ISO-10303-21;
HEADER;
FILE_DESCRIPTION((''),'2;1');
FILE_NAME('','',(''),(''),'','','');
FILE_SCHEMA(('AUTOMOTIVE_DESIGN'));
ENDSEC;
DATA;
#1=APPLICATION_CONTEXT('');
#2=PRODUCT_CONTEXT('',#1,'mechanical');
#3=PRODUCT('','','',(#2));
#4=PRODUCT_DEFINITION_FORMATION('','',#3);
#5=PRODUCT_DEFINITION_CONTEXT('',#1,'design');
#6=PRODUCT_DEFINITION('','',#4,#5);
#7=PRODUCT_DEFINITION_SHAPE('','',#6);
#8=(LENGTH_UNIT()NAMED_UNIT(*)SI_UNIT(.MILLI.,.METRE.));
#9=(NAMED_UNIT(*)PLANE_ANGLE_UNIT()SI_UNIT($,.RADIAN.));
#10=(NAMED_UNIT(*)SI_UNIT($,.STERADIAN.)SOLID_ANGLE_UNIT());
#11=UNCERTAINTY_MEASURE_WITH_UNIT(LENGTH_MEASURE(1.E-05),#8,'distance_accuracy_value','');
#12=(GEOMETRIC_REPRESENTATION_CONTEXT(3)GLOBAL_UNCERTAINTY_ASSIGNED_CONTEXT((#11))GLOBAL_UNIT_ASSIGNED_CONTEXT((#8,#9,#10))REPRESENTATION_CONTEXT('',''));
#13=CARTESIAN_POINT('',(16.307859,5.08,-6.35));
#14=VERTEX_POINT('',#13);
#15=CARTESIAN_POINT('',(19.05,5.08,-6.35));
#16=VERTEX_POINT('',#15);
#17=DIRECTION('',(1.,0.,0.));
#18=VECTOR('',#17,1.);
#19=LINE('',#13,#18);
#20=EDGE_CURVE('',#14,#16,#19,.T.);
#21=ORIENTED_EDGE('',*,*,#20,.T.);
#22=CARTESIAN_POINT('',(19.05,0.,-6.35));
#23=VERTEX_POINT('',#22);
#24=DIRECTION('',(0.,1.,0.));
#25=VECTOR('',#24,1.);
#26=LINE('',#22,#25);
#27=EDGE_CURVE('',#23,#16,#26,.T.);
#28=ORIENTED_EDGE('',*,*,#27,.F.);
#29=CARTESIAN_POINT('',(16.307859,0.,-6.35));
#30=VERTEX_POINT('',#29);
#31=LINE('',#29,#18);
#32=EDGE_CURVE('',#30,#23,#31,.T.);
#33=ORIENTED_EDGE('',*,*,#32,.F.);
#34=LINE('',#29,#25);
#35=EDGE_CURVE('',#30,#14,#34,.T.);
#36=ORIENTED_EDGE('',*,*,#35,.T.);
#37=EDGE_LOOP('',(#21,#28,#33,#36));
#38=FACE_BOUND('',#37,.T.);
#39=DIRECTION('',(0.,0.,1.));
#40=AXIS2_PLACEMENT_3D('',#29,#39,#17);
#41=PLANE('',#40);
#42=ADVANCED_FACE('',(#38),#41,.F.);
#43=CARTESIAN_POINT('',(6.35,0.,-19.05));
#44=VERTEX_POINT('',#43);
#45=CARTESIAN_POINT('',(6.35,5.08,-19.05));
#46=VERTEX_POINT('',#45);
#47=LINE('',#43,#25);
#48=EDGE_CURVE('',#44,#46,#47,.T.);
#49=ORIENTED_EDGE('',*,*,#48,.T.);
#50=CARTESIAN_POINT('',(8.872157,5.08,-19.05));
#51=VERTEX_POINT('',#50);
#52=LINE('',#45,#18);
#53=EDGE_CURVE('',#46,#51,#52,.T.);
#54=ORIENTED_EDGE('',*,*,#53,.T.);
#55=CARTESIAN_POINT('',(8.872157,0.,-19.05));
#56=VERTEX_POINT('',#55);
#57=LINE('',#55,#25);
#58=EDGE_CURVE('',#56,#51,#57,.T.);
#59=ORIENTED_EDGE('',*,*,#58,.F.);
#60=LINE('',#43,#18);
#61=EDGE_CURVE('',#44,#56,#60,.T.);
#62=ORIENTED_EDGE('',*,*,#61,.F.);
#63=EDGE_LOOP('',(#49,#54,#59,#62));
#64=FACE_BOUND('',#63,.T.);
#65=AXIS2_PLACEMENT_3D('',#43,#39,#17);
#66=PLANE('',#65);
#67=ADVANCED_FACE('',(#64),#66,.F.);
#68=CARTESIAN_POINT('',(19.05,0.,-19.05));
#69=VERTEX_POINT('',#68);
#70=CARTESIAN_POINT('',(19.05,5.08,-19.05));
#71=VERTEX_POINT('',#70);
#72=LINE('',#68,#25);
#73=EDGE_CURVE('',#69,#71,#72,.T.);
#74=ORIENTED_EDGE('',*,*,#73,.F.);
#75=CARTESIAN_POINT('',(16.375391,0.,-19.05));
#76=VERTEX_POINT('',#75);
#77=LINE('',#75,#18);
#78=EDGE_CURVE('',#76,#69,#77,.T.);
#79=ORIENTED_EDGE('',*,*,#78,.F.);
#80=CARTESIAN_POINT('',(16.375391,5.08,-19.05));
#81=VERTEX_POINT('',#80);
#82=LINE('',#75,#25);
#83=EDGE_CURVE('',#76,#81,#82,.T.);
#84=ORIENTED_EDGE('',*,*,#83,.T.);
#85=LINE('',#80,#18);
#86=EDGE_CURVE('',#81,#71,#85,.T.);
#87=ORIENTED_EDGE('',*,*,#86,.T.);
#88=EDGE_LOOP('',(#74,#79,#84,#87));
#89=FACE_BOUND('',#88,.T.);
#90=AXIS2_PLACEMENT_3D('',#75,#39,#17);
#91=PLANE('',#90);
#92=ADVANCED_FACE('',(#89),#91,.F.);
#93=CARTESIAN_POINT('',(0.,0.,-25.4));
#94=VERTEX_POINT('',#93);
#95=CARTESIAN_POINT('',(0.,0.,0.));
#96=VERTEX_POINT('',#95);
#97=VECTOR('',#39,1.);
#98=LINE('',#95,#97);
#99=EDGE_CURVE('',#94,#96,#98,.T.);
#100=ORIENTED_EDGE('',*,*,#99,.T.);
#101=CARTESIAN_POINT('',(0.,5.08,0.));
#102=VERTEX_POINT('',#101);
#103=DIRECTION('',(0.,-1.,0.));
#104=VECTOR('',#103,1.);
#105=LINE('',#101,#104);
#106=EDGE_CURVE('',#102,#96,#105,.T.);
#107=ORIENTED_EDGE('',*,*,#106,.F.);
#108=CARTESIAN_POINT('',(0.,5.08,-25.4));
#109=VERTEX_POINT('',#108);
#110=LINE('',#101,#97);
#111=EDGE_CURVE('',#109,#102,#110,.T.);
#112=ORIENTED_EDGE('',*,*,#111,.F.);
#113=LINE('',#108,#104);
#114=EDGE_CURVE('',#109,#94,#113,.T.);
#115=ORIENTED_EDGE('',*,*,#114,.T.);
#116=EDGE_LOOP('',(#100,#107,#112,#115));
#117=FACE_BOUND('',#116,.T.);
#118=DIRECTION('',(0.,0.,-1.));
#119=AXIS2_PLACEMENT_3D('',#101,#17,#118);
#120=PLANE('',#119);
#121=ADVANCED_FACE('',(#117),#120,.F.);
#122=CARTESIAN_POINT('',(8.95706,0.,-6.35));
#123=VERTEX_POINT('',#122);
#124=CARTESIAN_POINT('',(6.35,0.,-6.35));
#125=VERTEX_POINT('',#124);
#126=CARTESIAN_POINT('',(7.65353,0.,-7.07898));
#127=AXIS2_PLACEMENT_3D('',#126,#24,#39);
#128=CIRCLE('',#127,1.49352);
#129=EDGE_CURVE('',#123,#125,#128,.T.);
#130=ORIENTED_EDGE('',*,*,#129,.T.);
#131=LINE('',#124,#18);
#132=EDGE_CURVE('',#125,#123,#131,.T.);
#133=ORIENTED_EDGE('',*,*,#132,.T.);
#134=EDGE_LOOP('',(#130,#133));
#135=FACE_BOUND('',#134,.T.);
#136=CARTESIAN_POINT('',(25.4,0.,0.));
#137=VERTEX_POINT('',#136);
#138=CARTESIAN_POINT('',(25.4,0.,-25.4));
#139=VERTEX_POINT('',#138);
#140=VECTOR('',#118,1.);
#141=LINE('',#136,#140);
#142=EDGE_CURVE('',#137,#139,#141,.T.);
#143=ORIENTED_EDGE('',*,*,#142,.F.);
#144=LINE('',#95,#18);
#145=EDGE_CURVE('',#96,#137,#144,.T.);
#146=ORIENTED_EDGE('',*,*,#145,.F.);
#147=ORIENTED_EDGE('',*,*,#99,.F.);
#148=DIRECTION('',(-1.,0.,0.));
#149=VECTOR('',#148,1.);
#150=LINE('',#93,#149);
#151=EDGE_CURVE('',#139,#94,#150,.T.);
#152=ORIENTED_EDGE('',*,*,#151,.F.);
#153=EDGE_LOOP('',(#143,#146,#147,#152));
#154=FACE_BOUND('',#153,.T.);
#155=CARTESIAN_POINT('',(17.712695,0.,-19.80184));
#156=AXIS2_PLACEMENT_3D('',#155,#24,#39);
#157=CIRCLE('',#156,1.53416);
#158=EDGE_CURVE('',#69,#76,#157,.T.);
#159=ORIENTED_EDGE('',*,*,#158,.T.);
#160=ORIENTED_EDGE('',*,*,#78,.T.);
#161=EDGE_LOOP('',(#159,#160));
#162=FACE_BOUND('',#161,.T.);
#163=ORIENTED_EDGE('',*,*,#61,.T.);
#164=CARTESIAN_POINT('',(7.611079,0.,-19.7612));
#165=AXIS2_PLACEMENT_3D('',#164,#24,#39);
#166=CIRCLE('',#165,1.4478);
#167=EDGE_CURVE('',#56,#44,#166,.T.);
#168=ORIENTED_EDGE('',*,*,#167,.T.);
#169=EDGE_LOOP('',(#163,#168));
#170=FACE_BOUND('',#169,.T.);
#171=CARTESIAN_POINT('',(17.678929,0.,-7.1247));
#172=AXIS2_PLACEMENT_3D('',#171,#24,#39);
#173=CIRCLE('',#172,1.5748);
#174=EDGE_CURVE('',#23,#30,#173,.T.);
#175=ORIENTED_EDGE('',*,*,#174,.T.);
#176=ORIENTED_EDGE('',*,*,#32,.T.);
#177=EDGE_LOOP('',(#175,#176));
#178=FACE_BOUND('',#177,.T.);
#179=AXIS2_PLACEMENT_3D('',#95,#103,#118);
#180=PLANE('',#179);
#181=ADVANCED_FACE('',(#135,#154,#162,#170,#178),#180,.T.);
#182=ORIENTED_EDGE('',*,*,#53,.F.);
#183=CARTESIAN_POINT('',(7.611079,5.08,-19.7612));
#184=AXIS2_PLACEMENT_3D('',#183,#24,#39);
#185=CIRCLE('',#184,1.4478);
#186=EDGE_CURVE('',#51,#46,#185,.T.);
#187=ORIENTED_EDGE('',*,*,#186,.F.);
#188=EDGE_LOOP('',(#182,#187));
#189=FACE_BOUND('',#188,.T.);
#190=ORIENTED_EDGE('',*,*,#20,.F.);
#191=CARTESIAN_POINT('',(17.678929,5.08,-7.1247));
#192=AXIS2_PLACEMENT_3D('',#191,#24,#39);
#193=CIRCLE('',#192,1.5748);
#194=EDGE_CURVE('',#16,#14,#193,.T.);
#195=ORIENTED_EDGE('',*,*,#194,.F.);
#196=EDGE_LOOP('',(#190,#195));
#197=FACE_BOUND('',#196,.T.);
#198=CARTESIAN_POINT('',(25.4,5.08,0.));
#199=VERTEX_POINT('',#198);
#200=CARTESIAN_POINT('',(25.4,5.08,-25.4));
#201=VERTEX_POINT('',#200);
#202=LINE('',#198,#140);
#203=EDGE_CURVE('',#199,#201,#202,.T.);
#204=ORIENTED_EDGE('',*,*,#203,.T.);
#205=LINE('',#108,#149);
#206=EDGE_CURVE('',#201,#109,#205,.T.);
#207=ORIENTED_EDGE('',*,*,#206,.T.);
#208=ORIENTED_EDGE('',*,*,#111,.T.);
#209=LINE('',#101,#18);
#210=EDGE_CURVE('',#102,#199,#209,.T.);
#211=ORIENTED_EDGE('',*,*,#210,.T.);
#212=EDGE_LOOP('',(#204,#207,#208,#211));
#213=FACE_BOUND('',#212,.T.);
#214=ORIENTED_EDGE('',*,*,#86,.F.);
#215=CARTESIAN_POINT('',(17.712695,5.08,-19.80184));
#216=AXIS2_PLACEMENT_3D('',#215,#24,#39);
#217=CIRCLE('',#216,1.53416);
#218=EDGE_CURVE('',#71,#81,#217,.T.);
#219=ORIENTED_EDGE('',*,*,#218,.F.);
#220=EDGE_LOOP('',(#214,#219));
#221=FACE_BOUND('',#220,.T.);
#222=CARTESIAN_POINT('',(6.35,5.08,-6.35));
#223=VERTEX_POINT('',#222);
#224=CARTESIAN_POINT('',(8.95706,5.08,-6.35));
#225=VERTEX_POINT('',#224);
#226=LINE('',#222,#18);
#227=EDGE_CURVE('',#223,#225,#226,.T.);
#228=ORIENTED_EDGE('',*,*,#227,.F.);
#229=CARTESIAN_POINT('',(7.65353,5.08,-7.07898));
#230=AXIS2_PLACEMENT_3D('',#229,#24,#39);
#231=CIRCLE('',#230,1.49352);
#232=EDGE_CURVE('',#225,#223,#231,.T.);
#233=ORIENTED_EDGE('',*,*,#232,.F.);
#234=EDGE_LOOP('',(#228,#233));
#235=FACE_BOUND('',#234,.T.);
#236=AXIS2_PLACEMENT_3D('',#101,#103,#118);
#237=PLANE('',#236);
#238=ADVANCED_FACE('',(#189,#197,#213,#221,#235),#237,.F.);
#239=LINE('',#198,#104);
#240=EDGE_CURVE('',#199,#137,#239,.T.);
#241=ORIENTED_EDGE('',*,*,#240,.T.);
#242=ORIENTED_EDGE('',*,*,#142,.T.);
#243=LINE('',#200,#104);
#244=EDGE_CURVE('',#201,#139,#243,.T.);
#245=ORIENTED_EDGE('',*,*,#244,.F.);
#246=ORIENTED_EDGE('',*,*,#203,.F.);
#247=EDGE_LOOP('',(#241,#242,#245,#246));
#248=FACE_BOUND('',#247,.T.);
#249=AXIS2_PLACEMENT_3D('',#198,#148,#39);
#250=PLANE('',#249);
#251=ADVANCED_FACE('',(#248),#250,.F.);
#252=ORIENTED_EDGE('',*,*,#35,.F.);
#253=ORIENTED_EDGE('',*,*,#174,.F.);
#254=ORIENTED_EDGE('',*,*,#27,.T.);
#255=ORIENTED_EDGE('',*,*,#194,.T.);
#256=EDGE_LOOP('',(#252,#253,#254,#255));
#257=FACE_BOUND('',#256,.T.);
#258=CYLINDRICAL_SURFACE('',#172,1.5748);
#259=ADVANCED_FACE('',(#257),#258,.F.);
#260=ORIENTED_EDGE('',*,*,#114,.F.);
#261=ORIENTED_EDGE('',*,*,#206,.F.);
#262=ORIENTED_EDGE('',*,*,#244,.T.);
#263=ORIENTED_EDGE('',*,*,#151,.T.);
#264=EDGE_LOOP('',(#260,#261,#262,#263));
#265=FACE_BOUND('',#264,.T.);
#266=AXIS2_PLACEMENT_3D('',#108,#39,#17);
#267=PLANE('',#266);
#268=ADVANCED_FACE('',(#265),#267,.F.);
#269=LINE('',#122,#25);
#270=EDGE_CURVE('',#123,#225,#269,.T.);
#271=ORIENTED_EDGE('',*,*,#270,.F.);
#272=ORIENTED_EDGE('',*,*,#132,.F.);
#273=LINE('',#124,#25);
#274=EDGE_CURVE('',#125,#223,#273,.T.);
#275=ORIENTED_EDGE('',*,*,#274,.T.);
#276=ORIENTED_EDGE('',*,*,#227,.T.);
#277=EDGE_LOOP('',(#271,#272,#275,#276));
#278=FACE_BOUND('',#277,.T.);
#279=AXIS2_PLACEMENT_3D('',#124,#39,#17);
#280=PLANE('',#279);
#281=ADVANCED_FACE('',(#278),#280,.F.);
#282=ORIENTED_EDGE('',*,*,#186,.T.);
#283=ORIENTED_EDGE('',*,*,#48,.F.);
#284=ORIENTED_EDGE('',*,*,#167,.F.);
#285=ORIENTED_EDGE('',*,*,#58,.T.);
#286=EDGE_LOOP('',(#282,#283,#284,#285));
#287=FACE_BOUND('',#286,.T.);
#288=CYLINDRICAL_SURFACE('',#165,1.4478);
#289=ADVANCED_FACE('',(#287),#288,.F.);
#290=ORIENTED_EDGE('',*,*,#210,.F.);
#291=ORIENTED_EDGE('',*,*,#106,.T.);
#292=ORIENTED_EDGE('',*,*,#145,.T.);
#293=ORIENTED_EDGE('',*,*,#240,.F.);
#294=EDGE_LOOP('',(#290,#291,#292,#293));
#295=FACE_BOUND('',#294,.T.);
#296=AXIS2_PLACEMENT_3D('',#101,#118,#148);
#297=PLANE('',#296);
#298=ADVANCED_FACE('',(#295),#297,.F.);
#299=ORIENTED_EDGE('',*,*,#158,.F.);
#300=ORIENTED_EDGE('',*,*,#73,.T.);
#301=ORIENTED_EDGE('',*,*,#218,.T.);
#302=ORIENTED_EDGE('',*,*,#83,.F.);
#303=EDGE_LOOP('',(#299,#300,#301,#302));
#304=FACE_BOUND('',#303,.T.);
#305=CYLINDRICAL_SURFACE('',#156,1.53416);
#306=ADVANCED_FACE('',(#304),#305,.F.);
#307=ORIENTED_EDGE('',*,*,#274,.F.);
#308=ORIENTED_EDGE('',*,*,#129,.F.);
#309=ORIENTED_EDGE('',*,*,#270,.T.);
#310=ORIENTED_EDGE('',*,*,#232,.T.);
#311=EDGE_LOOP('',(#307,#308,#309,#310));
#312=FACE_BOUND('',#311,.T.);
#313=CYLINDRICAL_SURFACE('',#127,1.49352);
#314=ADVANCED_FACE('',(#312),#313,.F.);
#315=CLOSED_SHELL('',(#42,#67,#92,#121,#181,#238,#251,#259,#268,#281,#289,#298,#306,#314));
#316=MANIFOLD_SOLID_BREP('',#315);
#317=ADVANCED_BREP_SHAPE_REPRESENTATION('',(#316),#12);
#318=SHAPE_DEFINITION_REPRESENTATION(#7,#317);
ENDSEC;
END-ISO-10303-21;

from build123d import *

# Parameters (mm, degrees)
SKETCH2_W           = 25.4
SKETCH2_H           = 25.4
BOSS_EXTRUDE1_DEPTH = 5.08
CUT_EXTRUDE1_DEPTH  = 5.08


with BuildPart() as part:
    # Sketch2 → Boss-Extrude1 (new body)
    with BuildSketch(Plane(origin=(0, 0, 0), x_dir=(1, 0, 0), z_dir=(0, 1, 0))):
        with Locations((12.7, 12.7)):
            Rectangle(SKETCH2_W, SKETCH2_H)
    extrude(amount=BOSS_EXTRUDE1_DEPTH)

    # Sketch3 → Cut-Extrude1 (cut)
    with BuildSketch(Plane(origin=(0, 5.08, 5.08), x_dir=(1, 0, 0), z_dir=(0, 1, 0))):
        with BuildLine():
            Line((6.35, 11.43), (8.957059761, 11.43))
            ThreePointArc((8.957059761, 11.43), (7.653529881, 13.6525), (6.35, 11.43))
        make_face()
        with BuildLine():
            Line((16.307858538, 11.43), (19.05, 11.43))
            ThreePointArc((19.05, 11.43), (17.678929269, 13.7795), (16.307858538, 11.43))
        make_face()
        with BuildLine():
            Line((6.35, 24.13), (8.872157331, 24.13))
            ThreePointArc((8.872157331, 24.13), (7.611078665, 26.289), (6.35, 24.13))
        make_face()
        with BuildLine():
            Line((16.375390855, 24.13), (19.05, 24.13))
            ThreePointArc((19.05, 24.13), (17.712695427, 26.416), (16.375390855, 24.13))
        make_face()
    extrude(amount=-CUT_EXTRUDE1_DEPTH, mode=Mode.SUBTRACT)


solid = part.part
